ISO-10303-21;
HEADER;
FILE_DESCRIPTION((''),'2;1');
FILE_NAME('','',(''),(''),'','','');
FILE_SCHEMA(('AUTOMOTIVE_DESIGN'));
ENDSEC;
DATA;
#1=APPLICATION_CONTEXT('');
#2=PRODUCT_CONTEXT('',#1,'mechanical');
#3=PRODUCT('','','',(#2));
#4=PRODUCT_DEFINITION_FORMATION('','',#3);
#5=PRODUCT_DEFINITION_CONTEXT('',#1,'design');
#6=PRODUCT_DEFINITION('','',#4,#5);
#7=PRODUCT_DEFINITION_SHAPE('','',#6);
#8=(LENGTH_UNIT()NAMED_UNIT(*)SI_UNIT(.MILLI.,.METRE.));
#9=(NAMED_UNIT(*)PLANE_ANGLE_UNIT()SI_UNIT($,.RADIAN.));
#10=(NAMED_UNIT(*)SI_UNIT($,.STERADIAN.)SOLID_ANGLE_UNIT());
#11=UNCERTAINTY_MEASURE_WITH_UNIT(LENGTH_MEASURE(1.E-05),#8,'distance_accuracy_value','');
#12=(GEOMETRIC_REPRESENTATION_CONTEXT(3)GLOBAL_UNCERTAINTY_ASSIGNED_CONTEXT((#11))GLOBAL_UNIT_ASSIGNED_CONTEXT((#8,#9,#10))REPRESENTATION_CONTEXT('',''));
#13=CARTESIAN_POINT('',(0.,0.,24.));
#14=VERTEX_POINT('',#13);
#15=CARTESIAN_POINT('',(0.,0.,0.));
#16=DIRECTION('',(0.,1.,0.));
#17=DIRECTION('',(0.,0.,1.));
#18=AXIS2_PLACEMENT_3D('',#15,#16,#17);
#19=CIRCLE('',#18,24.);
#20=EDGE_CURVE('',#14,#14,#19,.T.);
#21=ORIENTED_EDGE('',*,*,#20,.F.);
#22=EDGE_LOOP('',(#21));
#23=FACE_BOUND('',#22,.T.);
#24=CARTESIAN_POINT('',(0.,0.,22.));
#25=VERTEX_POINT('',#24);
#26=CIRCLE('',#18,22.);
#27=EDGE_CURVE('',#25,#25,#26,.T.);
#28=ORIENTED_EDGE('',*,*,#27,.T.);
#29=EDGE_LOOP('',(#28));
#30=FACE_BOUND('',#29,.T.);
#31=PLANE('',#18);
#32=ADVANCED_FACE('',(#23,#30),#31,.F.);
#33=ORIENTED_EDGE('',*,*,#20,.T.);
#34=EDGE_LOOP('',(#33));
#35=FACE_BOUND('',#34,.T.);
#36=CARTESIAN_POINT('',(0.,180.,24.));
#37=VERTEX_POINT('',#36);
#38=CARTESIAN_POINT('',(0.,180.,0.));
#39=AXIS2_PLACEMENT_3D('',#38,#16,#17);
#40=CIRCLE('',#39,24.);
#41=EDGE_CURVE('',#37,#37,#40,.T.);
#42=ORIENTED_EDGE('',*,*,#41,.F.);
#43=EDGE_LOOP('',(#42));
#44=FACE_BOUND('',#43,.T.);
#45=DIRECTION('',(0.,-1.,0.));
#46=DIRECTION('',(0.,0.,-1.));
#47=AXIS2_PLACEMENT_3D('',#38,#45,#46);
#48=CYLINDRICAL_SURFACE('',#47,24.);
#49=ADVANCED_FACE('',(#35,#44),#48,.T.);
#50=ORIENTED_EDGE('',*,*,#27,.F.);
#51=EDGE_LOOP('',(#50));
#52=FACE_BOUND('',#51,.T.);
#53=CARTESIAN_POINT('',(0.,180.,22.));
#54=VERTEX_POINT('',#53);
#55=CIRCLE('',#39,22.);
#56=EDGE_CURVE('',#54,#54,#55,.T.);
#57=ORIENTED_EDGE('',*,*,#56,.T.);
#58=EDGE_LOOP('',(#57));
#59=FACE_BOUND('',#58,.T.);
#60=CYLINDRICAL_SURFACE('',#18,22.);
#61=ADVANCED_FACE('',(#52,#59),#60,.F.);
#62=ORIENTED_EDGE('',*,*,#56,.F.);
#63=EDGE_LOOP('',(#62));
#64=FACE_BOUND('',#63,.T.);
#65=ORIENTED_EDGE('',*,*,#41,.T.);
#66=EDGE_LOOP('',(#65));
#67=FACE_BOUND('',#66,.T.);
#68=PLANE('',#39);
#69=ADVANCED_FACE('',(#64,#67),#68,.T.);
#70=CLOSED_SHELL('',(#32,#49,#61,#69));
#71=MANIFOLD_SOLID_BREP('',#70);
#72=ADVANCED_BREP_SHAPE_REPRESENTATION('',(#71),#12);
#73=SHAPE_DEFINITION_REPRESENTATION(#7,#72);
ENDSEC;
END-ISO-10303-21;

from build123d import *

# Parameters (mm, degrees)
SKETCH_1_R          = 24
EXTRUDE_1_DEPTH     = 180
SKETCH_2_R          = 22
CUT_EXTRUDE_1_DEPTH = 180


with BuildPart() as part:
    # 草圖1 → 填料-伸長1 (new body)
    with BuildSketch(Plane(origin=(0, 0, 0), x_dir=(1, 0, 0), z_dir=(0, 1, 0))):
        Circle(SKETCH_1_R)
    extrude(amount=EXTRUDE_1_DEPTH)

    # 草圖2 → 除料-伸長1 (cut)
    with BuildSketch(Plane(origin=(0, 180, 0), x_dir=(1, 0, 0), z_dir=(0, 1, 0))):
        Circle(SKETCH_2_R)
    extrude(amount=-CUT_EXTRUDE_1_DEPTH, mode=Mode.SUBTRACT)


solid = part.part
